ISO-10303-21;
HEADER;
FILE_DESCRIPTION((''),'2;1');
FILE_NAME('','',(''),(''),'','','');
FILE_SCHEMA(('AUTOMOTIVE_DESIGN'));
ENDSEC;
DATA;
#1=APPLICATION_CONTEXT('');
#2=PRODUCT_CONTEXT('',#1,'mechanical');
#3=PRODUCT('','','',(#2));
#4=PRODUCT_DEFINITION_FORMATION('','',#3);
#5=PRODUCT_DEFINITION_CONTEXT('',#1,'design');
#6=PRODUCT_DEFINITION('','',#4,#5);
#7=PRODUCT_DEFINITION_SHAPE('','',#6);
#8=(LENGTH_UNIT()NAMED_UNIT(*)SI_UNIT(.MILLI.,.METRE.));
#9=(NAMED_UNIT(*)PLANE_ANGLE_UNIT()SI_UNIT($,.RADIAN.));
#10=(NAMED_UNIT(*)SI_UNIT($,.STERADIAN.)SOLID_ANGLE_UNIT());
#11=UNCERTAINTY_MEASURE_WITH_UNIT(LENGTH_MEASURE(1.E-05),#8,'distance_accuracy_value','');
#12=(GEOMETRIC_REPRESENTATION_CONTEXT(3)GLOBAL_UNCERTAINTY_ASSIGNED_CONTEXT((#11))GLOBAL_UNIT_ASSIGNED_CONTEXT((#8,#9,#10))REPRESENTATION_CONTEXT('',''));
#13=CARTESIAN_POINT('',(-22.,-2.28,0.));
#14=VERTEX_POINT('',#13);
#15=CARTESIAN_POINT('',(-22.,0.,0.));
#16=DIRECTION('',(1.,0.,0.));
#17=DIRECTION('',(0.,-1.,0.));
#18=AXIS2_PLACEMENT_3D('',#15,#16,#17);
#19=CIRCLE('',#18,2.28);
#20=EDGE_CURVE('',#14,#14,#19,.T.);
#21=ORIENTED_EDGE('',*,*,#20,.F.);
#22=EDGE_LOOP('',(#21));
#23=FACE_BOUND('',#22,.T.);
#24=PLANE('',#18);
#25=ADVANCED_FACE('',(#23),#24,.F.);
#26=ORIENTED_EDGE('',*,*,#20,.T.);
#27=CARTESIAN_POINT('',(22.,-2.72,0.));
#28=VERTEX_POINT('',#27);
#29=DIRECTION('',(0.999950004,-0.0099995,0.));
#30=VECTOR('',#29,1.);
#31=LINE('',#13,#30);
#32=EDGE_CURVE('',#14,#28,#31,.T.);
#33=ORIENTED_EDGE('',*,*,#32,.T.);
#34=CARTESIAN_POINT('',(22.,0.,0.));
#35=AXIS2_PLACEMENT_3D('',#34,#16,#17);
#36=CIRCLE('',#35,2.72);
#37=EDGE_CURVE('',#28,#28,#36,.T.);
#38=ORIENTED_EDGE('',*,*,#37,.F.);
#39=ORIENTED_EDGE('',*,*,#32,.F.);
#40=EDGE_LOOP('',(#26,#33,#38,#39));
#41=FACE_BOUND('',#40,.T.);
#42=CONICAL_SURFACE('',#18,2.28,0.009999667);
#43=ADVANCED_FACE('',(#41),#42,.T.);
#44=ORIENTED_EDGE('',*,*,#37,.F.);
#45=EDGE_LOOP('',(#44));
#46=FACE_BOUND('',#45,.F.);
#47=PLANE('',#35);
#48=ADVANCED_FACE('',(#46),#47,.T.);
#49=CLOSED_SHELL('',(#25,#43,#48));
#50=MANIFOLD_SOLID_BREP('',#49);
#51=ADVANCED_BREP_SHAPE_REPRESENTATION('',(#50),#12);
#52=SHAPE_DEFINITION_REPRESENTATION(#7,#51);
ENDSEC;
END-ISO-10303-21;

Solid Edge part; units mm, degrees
sketch "Sketch1" plane through (0, 0, 0) normal (0, 0, 1) x (1, 0, 0)
  line L0 (0, 0) -> (22, 0)
  line L1 (22, 0) -> (22, -2.72)
  line L2 (-22, -2.28) -> (22, -2.72)
  line L3 (-22, 0) -> (-22, -2.28)
  line L4 (0, 0) -> (-22, 0)
revolve "RevolvedProtrusion1" add sketch "Sketch1" angle 360 about axis through (0, 0, 0) along (1, 0, 0)
properties material "Mild Steel"
